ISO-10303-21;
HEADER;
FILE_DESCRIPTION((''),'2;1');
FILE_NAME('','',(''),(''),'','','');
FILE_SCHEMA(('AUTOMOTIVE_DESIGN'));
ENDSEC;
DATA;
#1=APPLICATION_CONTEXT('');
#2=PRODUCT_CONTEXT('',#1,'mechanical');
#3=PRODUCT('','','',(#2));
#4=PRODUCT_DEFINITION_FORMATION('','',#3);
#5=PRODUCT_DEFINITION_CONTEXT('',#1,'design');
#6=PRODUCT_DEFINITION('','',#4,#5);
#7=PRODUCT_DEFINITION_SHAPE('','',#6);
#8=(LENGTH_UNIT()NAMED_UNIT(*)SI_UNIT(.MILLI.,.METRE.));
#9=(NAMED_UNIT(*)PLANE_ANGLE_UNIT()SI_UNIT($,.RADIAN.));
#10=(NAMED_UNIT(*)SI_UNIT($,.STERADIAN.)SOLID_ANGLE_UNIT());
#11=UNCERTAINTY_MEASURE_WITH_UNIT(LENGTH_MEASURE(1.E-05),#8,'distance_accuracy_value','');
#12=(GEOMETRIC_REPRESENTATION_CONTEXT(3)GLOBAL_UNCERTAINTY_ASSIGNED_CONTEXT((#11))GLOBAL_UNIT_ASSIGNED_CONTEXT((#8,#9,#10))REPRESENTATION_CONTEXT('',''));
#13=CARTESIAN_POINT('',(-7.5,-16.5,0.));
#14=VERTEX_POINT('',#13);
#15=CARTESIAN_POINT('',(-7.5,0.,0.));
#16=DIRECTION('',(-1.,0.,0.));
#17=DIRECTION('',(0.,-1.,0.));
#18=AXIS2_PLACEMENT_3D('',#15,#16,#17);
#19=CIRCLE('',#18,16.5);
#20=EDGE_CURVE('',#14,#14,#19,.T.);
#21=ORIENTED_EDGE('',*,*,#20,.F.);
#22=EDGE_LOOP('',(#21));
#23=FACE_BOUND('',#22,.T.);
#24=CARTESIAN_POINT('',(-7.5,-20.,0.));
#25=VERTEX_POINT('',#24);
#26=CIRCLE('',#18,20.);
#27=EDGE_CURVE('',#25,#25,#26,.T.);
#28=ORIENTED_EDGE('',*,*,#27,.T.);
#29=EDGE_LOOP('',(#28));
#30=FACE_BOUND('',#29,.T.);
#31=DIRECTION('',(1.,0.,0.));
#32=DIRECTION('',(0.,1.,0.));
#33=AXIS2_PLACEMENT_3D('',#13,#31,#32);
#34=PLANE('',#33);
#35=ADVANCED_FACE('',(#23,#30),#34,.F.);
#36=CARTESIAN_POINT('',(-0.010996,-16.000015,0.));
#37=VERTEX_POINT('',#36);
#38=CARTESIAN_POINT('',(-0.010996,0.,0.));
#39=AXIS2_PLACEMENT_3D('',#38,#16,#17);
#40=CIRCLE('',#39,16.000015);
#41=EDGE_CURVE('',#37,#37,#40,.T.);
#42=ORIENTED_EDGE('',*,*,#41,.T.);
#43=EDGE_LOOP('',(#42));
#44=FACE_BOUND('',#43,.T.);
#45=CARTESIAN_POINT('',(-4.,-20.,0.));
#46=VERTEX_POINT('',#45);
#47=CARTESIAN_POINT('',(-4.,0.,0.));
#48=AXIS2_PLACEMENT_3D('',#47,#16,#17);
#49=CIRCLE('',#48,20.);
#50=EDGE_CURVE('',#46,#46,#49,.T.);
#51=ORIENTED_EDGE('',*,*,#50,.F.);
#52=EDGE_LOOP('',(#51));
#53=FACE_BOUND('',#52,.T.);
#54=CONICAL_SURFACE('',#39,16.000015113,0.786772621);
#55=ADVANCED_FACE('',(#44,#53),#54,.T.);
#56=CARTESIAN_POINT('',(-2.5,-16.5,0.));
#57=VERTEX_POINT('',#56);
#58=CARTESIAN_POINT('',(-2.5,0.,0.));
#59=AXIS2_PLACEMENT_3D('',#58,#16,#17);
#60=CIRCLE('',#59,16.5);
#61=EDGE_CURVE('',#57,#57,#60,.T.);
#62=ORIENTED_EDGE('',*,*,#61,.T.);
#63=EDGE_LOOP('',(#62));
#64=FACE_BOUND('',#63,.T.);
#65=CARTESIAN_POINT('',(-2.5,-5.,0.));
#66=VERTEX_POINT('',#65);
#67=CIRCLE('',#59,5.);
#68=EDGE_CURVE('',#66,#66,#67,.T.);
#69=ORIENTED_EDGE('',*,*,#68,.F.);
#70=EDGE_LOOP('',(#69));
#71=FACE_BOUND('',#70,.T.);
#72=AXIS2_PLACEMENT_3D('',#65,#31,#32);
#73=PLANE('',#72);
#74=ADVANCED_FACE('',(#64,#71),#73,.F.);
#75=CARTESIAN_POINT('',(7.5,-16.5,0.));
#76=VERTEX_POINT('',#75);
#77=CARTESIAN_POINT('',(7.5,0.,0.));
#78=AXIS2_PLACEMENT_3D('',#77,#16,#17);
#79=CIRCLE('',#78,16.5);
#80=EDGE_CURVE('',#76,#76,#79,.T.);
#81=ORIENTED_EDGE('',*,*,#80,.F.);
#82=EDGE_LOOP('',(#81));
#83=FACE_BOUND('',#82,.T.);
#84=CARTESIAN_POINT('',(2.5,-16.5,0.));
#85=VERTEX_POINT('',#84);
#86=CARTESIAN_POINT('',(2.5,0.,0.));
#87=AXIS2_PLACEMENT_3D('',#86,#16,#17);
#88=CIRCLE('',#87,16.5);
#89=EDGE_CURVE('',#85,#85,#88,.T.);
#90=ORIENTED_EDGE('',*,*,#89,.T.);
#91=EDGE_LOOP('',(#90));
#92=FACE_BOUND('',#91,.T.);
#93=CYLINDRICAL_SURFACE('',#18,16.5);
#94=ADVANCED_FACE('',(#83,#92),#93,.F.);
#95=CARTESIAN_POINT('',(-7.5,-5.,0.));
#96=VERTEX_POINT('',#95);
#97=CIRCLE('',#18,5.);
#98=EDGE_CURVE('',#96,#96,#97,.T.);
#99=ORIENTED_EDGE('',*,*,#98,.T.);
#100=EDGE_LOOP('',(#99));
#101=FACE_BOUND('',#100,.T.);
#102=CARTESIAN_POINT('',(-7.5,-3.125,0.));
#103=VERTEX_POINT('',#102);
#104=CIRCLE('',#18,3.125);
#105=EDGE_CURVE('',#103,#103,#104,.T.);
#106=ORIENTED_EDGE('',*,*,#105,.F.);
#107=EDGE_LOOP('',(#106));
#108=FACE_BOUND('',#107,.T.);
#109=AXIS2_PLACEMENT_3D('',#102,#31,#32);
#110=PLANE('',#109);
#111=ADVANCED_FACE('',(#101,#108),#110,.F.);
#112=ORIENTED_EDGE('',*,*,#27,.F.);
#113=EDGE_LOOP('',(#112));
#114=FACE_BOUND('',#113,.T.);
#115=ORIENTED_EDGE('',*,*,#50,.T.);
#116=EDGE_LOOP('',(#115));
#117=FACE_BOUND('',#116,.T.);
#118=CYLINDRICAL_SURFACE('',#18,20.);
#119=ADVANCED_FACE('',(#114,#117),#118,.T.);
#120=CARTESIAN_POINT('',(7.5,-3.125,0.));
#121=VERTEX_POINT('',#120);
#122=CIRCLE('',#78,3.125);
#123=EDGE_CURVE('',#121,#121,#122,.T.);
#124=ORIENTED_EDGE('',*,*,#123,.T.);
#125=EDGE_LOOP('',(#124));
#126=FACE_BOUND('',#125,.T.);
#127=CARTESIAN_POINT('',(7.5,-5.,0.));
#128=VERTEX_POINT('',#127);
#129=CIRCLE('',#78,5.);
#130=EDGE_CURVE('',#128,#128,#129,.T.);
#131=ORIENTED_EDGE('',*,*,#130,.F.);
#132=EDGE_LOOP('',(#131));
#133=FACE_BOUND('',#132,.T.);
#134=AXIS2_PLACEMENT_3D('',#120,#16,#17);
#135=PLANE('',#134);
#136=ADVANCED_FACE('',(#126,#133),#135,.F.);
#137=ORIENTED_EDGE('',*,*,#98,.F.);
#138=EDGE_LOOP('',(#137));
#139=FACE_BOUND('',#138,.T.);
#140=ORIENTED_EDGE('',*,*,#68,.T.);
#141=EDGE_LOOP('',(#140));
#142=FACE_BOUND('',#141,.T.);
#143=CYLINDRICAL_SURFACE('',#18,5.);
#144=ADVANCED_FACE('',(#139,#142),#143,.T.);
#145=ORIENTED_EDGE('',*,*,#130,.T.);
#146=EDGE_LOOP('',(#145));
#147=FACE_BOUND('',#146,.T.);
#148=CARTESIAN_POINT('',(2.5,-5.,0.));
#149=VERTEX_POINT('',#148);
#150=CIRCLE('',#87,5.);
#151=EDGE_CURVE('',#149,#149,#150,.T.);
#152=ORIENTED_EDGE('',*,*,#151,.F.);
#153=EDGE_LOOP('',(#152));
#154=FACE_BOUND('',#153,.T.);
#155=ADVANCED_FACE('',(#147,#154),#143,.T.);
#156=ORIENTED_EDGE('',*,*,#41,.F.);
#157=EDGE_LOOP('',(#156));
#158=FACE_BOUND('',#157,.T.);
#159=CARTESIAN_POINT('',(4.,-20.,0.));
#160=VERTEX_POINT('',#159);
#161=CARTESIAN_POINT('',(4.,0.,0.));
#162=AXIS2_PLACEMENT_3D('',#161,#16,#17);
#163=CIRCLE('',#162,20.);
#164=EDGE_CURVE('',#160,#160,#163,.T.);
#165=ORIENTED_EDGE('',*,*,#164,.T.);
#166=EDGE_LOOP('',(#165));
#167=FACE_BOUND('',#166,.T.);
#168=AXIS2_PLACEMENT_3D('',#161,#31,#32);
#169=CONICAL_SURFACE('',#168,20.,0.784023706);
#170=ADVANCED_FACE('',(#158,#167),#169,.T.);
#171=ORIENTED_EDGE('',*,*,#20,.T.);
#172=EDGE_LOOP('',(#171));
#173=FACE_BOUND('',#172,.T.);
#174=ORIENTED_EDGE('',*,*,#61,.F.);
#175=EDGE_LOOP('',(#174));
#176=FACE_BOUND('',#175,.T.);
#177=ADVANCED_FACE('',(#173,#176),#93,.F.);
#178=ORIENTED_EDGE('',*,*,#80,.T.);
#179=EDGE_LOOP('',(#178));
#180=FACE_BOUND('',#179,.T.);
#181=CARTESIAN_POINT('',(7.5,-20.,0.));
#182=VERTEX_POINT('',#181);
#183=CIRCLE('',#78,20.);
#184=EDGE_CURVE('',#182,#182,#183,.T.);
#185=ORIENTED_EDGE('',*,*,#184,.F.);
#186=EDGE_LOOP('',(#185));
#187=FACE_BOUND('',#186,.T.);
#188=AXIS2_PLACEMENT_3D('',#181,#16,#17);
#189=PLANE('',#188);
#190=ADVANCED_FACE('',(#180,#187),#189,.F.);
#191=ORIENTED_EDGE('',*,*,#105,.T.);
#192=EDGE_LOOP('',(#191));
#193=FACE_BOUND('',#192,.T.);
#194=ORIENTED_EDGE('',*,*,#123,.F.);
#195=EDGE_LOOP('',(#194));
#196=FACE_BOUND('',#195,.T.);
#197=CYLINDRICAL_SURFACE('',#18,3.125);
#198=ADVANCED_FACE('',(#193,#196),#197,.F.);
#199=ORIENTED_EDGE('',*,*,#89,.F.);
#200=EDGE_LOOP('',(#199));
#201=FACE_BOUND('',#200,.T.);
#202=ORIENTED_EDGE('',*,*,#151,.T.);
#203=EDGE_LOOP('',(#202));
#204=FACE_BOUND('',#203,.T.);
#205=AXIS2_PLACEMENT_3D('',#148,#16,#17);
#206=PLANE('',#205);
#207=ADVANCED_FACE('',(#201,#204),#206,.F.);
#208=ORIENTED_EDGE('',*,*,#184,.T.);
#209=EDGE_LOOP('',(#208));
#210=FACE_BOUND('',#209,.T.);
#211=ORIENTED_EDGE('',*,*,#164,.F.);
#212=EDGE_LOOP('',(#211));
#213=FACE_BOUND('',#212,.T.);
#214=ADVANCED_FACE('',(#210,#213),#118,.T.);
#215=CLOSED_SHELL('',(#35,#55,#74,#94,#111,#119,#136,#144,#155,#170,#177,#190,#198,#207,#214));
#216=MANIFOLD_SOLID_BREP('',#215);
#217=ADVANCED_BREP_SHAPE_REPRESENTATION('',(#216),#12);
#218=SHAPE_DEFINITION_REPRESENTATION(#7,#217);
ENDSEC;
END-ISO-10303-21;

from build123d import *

# Parameters (mm, degrees)
REVOLVE1_ANGLE = 360


with BuildPart() as part:
    # Sketch1 → Revolve1 (revolve, symmetric)
    with BuildSketch(Plane.XY) as revolve1_sk:
        Polygon((7.5, 3.125), (-7.5, 3.125), (-7.5, 5), (-2.5, 5), (-2.5, 16.5), (-7.5, 16.5), (-7.5, 20), (-4, 20), (-0.010995646, 16.000015113), (4, 20), (7.5, 20), (7.5, 16.5), (2.5, 16.5), (2.5, 5), (7.5, 5), align=None)
    revolve(axis=Axis((-7.5, 0, 0), (1, 0, 0)), revolution_arc=REVOLVE1_ANGLE / 2)
    revolve(revolve1_sk.sketch, axis=Axis((-7.5, 0, 0), (-1, 0, 0)), revolution_arc=REVOLVE1_ANGLE / 2)


solid = part.part
